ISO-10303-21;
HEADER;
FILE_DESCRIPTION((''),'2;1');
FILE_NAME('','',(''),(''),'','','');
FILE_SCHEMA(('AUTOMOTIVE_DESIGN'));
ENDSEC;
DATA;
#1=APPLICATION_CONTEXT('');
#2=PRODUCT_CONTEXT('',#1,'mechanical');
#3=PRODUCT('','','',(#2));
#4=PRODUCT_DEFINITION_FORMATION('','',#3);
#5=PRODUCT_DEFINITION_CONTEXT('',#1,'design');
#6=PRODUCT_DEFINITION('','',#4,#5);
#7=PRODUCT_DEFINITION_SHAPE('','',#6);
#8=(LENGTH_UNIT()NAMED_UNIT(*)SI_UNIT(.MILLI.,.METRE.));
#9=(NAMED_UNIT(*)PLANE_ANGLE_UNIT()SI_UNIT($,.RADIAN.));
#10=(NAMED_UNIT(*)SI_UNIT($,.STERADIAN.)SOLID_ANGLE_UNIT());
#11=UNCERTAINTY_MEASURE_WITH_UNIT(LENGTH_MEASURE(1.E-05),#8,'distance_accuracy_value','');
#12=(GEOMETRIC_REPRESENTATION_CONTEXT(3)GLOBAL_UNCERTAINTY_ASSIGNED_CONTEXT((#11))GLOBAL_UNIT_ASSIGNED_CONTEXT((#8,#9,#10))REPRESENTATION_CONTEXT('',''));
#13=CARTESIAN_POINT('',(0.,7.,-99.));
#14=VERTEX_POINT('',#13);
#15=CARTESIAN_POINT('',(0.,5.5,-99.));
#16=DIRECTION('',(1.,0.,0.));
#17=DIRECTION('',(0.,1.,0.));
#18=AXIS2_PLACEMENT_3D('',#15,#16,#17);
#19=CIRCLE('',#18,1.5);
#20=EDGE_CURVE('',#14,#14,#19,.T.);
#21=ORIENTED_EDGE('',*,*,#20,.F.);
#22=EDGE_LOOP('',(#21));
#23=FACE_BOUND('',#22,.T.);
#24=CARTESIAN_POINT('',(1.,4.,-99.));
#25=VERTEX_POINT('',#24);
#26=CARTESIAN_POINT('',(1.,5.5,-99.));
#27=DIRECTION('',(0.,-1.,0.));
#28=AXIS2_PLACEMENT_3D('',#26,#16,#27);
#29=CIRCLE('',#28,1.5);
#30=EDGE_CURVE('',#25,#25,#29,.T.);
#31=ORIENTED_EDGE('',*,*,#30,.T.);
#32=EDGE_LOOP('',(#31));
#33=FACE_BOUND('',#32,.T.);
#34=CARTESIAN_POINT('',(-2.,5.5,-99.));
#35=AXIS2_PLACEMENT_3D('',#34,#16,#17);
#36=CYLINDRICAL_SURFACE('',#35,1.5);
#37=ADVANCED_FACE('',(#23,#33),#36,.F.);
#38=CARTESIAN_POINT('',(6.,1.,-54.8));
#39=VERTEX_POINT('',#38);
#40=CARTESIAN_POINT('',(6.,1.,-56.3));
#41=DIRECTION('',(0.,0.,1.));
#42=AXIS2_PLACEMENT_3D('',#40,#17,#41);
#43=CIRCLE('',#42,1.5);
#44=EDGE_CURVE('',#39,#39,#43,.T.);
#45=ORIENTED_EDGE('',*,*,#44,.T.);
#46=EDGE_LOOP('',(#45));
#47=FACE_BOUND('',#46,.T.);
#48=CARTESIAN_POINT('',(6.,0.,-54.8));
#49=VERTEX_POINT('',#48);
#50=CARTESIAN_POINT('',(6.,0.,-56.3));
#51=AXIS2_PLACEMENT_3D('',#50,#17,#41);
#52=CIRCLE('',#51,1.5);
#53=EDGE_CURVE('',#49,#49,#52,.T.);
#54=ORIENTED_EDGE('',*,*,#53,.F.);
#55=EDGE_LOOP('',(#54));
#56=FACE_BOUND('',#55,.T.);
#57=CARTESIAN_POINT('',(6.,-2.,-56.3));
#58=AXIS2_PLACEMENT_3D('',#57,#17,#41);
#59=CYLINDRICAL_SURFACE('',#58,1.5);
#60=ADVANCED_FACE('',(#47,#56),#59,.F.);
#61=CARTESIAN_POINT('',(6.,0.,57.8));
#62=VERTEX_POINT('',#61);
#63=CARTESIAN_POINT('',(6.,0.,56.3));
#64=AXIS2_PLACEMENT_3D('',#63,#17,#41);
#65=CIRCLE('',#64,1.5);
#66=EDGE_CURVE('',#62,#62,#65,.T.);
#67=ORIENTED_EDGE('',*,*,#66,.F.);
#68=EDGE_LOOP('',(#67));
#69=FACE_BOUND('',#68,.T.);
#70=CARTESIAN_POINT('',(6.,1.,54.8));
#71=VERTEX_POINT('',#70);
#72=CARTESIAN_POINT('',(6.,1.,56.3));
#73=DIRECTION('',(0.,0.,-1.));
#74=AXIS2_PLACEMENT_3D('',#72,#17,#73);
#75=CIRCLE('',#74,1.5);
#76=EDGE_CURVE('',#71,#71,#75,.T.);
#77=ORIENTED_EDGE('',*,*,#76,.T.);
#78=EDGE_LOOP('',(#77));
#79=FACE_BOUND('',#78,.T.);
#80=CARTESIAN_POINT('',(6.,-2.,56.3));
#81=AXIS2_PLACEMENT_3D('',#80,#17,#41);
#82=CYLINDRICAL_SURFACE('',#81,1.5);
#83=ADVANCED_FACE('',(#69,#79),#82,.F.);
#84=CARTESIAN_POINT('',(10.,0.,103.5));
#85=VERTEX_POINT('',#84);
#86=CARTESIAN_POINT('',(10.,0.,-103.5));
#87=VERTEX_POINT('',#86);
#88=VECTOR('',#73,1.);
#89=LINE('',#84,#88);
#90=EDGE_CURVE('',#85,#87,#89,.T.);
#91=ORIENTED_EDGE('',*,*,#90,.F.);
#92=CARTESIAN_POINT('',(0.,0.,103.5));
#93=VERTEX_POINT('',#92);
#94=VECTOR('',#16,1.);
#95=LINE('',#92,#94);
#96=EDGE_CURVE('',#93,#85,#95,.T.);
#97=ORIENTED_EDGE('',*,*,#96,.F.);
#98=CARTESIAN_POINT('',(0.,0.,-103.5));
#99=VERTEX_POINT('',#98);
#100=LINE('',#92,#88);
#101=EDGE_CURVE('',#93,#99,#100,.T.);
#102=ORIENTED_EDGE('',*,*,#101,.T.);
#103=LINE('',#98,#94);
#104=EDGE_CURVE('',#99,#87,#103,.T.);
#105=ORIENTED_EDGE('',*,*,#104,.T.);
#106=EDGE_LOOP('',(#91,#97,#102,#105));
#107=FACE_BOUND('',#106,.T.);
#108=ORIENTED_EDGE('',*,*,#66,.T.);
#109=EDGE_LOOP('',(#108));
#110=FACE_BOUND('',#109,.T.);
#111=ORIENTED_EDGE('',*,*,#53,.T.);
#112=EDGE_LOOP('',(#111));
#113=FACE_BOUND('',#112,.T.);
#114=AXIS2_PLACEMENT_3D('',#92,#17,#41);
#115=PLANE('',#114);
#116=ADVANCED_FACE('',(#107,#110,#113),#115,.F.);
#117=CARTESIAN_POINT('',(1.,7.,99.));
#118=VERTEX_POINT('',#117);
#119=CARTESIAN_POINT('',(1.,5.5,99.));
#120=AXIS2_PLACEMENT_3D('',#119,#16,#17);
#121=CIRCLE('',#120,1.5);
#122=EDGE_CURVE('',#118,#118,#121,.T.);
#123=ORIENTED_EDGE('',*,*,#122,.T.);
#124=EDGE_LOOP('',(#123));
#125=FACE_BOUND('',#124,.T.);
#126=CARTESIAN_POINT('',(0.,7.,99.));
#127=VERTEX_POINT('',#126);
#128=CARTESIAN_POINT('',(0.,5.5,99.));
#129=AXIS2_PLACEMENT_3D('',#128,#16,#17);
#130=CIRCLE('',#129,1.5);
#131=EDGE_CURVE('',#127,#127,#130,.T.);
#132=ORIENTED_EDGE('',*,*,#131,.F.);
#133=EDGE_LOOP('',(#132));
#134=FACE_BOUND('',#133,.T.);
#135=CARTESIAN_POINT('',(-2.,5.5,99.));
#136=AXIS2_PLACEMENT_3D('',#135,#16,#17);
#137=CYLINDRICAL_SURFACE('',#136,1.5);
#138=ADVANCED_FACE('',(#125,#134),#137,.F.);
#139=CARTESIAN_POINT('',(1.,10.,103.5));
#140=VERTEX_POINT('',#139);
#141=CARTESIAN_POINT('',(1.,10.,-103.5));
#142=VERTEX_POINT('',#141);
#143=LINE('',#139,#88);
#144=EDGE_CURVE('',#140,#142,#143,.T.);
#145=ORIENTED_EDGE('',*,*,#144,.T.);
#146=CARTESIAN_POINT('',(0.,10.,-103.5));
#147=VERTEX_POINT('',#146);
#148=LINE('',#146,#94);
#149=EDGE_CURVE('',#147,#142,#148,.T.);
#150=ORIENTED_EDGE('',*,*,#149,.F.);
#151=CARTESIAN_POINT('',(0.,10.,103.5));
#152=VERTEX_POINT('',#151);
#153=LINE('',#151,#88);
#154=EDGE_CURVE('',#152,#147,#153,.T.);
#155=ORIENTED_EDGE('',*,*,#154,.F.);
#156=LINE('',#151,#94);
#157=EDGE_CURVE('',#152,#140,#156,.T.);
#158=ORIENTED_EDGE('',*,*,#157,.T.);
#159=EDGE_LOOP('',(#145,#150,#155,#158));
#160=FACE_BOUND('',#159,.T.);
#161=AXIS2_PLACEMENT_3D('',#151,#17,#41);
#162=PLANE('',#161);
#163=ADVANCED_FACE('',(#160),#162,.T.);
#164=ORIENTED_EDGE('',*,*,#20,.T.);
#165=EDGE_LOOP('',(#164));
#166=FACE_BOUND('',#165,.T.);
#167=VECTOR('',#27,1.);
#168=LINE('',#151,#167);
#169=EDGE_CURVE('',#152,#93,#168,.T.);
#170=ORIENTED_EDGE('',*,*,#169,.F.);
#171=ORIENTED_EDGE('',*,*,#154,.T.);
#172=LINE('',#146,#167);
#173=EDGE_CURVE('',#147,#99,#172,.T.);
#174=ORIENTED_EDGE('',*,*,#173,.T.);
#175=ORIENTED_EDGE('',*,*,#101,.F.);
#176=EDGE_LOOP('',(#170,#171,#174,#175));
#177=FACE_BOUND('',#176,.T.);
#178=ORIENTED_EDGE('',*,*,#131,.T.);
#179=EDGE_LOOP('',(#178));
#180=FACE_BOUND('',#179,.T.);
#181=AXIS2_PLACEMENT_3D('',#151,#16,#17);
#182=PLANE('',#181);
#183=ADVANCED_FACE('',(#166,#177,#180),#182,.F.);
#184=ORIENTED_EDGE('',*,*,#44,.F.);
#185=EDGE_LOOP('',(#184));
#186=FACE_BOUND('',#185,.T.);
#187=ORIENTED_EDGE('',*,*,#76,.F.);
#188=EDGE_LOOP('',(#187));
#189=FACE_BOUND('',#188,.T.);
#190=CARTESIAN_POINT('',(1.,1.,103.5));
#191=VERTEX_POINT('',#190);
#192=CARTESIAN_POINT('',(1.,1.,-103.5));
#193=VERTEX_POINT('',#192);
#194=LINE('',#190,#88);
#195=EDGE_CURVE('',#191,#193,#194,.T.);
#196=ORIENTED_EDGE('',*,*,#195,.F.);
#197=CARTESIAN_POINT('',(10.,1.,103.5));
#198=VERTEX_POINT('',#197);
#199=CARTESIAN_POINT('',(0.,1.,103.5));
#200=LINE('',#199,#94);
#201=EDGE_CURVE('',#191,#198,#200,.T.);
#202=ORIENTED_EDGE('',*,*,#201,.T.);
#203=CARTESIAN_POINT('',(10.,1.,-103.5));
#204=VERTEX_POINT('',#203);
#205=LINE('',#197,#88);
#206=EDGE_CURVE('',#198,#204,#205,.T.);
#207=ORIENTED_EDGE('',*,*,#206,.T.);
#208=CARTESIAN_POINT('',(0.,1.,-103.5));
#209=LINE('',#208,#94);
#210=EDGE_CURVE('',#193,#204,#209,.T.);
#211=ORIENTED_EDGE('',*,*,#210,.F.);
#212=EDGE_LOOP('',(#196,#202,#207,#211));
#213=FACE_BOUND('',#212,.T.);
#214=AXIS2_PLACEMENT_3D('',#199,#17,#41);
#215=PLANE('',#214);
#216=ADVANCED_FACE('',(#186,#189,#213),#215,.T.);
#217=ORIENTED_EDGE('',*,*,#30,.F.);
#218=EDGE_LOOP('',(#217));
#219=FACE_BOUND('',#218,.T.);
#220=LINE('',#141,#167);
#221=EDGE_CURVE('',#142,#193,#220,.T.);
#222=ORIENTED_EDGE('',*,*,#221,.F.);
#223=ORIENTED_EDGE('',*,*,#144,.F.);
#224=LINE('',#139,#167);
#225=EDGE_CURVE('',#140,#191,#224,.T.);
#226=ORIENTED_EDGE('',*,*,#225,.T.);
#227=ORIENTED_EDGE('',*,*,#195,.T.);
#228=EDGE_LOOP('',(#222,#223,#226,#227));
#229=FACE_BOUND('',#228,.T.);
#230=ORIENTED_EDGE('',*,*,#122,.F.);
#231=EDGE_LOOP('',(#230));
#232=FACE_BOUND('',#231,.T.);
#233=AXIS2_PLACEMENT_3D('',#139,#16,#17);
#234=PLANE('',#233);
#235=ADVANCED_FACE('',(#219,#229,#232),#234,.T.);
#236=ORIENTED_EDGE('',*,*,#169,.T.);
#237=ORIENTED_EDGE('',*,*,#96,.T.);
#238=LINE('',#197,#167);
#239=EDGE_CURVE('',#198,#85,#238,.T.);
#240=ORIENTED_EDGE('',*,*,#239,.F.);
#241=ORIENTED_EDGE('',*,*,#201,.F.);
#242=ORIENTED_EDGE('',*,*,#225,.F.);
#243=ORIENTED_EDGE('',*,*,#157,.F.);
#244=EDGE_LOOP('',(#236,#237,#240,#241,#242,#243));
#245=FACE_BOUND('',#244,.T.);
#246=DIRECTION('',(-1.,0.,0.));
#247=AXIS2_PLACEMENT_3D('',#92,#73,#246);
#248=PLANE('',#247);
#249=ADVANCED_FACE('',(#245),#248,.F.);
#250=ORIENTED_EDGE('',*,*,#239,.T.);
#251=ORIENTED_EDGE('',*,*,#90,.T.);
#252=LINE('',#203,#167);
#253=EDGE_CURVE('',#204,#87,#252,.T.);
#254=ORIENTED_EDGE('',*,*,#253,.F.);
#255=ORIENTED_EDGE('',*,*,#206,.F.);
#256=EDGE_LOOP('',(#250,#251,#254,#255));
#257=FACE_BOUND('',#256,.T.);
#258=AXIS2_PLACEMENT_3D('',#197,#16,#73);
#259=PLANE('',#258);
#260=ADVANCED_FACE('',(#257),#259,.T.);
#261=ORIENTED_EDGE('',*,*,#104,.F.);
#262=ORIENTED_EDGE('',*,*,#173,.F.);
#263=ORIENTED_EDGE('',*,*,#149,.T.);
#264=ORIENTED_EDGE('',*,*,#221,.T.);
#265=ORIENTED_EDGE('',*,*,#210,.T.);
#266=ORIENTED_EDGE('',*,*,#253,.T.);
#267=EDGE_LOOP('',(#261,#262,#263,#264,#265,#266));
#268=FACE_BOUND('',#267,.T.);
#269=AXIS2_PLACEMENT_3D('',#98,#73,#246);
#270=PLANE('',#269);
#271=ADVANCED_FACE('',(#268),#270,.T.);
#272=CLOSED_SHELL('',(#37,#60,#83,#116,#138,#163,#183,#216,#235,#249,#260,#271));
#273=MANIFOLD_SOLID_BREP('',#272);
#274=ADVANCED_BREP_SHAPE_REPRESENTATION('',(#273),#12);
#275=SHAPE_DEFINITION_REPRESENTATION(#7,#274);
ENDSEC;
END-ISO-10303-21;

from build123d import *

# Parameters (mm, degrees)
EXTRU_MINCE1_DEPTH      = 103.5
ESQUISSE2_R             = 1.5
ENL_V_MAT_EXTRU_1_DEPTH = 3
ESQUISSE3_R             = 1.5
ENL_V_MAT_EXTRU_2_DEPTH = 3


with BuildPart() as part:
    # Esquisse1 → Extru.-Mince1 (new, symmetric)
    with BuildSketch(Plane.XY):
        Polygon((0, 10), (0, 0), (10, 0), (10, 1), (1, 1), (1, 10), align=None)
    extrude(amount=EXTRU_MINCE1_DEPTH, both=True)

    # Esquisse2 → Enlèv. mat.-Extru.1 (cut)
    with BuildSketch(Plane(origin=(0, 1, 0), x_dir=(1, 0, 0), z_dir=(0, 1, 0))):
        with Locations(Location((6, 56.3, 0), (0, 0, 270))):
            Circle(ESQUISSE2_R)
        with Locations(Location((6, -56.3, 0), (0, 0, 270))):
            Circle(ESQUISSE2_R)
    extrude(amount=-ENL_V_MAT_EXTRU_1_DEPTH, mode=Mode.SUBTRACT)

    # Esquisse3 → Enlèv. mat.-Extru.2 (cut)
    with BuildSketch(Plane(origin=(1, 0, 0), x_dir=(0, 0, -1), z_dir=(1, 0, 0))):
        with Locations(Location((-99, 5.5, 0), (0, 0, 90))):
            Circle(ESQUISSE3_R)
        with Locations(Location((99, 5.5, 0), (0, 0, 90))):
            Circle(ESQUISSE3_R)
    extrude(amount=-ENL_V_MAT_EXTRU_2_DEPTH, mode=Mode.SUBTRACT)


solid = part.part
